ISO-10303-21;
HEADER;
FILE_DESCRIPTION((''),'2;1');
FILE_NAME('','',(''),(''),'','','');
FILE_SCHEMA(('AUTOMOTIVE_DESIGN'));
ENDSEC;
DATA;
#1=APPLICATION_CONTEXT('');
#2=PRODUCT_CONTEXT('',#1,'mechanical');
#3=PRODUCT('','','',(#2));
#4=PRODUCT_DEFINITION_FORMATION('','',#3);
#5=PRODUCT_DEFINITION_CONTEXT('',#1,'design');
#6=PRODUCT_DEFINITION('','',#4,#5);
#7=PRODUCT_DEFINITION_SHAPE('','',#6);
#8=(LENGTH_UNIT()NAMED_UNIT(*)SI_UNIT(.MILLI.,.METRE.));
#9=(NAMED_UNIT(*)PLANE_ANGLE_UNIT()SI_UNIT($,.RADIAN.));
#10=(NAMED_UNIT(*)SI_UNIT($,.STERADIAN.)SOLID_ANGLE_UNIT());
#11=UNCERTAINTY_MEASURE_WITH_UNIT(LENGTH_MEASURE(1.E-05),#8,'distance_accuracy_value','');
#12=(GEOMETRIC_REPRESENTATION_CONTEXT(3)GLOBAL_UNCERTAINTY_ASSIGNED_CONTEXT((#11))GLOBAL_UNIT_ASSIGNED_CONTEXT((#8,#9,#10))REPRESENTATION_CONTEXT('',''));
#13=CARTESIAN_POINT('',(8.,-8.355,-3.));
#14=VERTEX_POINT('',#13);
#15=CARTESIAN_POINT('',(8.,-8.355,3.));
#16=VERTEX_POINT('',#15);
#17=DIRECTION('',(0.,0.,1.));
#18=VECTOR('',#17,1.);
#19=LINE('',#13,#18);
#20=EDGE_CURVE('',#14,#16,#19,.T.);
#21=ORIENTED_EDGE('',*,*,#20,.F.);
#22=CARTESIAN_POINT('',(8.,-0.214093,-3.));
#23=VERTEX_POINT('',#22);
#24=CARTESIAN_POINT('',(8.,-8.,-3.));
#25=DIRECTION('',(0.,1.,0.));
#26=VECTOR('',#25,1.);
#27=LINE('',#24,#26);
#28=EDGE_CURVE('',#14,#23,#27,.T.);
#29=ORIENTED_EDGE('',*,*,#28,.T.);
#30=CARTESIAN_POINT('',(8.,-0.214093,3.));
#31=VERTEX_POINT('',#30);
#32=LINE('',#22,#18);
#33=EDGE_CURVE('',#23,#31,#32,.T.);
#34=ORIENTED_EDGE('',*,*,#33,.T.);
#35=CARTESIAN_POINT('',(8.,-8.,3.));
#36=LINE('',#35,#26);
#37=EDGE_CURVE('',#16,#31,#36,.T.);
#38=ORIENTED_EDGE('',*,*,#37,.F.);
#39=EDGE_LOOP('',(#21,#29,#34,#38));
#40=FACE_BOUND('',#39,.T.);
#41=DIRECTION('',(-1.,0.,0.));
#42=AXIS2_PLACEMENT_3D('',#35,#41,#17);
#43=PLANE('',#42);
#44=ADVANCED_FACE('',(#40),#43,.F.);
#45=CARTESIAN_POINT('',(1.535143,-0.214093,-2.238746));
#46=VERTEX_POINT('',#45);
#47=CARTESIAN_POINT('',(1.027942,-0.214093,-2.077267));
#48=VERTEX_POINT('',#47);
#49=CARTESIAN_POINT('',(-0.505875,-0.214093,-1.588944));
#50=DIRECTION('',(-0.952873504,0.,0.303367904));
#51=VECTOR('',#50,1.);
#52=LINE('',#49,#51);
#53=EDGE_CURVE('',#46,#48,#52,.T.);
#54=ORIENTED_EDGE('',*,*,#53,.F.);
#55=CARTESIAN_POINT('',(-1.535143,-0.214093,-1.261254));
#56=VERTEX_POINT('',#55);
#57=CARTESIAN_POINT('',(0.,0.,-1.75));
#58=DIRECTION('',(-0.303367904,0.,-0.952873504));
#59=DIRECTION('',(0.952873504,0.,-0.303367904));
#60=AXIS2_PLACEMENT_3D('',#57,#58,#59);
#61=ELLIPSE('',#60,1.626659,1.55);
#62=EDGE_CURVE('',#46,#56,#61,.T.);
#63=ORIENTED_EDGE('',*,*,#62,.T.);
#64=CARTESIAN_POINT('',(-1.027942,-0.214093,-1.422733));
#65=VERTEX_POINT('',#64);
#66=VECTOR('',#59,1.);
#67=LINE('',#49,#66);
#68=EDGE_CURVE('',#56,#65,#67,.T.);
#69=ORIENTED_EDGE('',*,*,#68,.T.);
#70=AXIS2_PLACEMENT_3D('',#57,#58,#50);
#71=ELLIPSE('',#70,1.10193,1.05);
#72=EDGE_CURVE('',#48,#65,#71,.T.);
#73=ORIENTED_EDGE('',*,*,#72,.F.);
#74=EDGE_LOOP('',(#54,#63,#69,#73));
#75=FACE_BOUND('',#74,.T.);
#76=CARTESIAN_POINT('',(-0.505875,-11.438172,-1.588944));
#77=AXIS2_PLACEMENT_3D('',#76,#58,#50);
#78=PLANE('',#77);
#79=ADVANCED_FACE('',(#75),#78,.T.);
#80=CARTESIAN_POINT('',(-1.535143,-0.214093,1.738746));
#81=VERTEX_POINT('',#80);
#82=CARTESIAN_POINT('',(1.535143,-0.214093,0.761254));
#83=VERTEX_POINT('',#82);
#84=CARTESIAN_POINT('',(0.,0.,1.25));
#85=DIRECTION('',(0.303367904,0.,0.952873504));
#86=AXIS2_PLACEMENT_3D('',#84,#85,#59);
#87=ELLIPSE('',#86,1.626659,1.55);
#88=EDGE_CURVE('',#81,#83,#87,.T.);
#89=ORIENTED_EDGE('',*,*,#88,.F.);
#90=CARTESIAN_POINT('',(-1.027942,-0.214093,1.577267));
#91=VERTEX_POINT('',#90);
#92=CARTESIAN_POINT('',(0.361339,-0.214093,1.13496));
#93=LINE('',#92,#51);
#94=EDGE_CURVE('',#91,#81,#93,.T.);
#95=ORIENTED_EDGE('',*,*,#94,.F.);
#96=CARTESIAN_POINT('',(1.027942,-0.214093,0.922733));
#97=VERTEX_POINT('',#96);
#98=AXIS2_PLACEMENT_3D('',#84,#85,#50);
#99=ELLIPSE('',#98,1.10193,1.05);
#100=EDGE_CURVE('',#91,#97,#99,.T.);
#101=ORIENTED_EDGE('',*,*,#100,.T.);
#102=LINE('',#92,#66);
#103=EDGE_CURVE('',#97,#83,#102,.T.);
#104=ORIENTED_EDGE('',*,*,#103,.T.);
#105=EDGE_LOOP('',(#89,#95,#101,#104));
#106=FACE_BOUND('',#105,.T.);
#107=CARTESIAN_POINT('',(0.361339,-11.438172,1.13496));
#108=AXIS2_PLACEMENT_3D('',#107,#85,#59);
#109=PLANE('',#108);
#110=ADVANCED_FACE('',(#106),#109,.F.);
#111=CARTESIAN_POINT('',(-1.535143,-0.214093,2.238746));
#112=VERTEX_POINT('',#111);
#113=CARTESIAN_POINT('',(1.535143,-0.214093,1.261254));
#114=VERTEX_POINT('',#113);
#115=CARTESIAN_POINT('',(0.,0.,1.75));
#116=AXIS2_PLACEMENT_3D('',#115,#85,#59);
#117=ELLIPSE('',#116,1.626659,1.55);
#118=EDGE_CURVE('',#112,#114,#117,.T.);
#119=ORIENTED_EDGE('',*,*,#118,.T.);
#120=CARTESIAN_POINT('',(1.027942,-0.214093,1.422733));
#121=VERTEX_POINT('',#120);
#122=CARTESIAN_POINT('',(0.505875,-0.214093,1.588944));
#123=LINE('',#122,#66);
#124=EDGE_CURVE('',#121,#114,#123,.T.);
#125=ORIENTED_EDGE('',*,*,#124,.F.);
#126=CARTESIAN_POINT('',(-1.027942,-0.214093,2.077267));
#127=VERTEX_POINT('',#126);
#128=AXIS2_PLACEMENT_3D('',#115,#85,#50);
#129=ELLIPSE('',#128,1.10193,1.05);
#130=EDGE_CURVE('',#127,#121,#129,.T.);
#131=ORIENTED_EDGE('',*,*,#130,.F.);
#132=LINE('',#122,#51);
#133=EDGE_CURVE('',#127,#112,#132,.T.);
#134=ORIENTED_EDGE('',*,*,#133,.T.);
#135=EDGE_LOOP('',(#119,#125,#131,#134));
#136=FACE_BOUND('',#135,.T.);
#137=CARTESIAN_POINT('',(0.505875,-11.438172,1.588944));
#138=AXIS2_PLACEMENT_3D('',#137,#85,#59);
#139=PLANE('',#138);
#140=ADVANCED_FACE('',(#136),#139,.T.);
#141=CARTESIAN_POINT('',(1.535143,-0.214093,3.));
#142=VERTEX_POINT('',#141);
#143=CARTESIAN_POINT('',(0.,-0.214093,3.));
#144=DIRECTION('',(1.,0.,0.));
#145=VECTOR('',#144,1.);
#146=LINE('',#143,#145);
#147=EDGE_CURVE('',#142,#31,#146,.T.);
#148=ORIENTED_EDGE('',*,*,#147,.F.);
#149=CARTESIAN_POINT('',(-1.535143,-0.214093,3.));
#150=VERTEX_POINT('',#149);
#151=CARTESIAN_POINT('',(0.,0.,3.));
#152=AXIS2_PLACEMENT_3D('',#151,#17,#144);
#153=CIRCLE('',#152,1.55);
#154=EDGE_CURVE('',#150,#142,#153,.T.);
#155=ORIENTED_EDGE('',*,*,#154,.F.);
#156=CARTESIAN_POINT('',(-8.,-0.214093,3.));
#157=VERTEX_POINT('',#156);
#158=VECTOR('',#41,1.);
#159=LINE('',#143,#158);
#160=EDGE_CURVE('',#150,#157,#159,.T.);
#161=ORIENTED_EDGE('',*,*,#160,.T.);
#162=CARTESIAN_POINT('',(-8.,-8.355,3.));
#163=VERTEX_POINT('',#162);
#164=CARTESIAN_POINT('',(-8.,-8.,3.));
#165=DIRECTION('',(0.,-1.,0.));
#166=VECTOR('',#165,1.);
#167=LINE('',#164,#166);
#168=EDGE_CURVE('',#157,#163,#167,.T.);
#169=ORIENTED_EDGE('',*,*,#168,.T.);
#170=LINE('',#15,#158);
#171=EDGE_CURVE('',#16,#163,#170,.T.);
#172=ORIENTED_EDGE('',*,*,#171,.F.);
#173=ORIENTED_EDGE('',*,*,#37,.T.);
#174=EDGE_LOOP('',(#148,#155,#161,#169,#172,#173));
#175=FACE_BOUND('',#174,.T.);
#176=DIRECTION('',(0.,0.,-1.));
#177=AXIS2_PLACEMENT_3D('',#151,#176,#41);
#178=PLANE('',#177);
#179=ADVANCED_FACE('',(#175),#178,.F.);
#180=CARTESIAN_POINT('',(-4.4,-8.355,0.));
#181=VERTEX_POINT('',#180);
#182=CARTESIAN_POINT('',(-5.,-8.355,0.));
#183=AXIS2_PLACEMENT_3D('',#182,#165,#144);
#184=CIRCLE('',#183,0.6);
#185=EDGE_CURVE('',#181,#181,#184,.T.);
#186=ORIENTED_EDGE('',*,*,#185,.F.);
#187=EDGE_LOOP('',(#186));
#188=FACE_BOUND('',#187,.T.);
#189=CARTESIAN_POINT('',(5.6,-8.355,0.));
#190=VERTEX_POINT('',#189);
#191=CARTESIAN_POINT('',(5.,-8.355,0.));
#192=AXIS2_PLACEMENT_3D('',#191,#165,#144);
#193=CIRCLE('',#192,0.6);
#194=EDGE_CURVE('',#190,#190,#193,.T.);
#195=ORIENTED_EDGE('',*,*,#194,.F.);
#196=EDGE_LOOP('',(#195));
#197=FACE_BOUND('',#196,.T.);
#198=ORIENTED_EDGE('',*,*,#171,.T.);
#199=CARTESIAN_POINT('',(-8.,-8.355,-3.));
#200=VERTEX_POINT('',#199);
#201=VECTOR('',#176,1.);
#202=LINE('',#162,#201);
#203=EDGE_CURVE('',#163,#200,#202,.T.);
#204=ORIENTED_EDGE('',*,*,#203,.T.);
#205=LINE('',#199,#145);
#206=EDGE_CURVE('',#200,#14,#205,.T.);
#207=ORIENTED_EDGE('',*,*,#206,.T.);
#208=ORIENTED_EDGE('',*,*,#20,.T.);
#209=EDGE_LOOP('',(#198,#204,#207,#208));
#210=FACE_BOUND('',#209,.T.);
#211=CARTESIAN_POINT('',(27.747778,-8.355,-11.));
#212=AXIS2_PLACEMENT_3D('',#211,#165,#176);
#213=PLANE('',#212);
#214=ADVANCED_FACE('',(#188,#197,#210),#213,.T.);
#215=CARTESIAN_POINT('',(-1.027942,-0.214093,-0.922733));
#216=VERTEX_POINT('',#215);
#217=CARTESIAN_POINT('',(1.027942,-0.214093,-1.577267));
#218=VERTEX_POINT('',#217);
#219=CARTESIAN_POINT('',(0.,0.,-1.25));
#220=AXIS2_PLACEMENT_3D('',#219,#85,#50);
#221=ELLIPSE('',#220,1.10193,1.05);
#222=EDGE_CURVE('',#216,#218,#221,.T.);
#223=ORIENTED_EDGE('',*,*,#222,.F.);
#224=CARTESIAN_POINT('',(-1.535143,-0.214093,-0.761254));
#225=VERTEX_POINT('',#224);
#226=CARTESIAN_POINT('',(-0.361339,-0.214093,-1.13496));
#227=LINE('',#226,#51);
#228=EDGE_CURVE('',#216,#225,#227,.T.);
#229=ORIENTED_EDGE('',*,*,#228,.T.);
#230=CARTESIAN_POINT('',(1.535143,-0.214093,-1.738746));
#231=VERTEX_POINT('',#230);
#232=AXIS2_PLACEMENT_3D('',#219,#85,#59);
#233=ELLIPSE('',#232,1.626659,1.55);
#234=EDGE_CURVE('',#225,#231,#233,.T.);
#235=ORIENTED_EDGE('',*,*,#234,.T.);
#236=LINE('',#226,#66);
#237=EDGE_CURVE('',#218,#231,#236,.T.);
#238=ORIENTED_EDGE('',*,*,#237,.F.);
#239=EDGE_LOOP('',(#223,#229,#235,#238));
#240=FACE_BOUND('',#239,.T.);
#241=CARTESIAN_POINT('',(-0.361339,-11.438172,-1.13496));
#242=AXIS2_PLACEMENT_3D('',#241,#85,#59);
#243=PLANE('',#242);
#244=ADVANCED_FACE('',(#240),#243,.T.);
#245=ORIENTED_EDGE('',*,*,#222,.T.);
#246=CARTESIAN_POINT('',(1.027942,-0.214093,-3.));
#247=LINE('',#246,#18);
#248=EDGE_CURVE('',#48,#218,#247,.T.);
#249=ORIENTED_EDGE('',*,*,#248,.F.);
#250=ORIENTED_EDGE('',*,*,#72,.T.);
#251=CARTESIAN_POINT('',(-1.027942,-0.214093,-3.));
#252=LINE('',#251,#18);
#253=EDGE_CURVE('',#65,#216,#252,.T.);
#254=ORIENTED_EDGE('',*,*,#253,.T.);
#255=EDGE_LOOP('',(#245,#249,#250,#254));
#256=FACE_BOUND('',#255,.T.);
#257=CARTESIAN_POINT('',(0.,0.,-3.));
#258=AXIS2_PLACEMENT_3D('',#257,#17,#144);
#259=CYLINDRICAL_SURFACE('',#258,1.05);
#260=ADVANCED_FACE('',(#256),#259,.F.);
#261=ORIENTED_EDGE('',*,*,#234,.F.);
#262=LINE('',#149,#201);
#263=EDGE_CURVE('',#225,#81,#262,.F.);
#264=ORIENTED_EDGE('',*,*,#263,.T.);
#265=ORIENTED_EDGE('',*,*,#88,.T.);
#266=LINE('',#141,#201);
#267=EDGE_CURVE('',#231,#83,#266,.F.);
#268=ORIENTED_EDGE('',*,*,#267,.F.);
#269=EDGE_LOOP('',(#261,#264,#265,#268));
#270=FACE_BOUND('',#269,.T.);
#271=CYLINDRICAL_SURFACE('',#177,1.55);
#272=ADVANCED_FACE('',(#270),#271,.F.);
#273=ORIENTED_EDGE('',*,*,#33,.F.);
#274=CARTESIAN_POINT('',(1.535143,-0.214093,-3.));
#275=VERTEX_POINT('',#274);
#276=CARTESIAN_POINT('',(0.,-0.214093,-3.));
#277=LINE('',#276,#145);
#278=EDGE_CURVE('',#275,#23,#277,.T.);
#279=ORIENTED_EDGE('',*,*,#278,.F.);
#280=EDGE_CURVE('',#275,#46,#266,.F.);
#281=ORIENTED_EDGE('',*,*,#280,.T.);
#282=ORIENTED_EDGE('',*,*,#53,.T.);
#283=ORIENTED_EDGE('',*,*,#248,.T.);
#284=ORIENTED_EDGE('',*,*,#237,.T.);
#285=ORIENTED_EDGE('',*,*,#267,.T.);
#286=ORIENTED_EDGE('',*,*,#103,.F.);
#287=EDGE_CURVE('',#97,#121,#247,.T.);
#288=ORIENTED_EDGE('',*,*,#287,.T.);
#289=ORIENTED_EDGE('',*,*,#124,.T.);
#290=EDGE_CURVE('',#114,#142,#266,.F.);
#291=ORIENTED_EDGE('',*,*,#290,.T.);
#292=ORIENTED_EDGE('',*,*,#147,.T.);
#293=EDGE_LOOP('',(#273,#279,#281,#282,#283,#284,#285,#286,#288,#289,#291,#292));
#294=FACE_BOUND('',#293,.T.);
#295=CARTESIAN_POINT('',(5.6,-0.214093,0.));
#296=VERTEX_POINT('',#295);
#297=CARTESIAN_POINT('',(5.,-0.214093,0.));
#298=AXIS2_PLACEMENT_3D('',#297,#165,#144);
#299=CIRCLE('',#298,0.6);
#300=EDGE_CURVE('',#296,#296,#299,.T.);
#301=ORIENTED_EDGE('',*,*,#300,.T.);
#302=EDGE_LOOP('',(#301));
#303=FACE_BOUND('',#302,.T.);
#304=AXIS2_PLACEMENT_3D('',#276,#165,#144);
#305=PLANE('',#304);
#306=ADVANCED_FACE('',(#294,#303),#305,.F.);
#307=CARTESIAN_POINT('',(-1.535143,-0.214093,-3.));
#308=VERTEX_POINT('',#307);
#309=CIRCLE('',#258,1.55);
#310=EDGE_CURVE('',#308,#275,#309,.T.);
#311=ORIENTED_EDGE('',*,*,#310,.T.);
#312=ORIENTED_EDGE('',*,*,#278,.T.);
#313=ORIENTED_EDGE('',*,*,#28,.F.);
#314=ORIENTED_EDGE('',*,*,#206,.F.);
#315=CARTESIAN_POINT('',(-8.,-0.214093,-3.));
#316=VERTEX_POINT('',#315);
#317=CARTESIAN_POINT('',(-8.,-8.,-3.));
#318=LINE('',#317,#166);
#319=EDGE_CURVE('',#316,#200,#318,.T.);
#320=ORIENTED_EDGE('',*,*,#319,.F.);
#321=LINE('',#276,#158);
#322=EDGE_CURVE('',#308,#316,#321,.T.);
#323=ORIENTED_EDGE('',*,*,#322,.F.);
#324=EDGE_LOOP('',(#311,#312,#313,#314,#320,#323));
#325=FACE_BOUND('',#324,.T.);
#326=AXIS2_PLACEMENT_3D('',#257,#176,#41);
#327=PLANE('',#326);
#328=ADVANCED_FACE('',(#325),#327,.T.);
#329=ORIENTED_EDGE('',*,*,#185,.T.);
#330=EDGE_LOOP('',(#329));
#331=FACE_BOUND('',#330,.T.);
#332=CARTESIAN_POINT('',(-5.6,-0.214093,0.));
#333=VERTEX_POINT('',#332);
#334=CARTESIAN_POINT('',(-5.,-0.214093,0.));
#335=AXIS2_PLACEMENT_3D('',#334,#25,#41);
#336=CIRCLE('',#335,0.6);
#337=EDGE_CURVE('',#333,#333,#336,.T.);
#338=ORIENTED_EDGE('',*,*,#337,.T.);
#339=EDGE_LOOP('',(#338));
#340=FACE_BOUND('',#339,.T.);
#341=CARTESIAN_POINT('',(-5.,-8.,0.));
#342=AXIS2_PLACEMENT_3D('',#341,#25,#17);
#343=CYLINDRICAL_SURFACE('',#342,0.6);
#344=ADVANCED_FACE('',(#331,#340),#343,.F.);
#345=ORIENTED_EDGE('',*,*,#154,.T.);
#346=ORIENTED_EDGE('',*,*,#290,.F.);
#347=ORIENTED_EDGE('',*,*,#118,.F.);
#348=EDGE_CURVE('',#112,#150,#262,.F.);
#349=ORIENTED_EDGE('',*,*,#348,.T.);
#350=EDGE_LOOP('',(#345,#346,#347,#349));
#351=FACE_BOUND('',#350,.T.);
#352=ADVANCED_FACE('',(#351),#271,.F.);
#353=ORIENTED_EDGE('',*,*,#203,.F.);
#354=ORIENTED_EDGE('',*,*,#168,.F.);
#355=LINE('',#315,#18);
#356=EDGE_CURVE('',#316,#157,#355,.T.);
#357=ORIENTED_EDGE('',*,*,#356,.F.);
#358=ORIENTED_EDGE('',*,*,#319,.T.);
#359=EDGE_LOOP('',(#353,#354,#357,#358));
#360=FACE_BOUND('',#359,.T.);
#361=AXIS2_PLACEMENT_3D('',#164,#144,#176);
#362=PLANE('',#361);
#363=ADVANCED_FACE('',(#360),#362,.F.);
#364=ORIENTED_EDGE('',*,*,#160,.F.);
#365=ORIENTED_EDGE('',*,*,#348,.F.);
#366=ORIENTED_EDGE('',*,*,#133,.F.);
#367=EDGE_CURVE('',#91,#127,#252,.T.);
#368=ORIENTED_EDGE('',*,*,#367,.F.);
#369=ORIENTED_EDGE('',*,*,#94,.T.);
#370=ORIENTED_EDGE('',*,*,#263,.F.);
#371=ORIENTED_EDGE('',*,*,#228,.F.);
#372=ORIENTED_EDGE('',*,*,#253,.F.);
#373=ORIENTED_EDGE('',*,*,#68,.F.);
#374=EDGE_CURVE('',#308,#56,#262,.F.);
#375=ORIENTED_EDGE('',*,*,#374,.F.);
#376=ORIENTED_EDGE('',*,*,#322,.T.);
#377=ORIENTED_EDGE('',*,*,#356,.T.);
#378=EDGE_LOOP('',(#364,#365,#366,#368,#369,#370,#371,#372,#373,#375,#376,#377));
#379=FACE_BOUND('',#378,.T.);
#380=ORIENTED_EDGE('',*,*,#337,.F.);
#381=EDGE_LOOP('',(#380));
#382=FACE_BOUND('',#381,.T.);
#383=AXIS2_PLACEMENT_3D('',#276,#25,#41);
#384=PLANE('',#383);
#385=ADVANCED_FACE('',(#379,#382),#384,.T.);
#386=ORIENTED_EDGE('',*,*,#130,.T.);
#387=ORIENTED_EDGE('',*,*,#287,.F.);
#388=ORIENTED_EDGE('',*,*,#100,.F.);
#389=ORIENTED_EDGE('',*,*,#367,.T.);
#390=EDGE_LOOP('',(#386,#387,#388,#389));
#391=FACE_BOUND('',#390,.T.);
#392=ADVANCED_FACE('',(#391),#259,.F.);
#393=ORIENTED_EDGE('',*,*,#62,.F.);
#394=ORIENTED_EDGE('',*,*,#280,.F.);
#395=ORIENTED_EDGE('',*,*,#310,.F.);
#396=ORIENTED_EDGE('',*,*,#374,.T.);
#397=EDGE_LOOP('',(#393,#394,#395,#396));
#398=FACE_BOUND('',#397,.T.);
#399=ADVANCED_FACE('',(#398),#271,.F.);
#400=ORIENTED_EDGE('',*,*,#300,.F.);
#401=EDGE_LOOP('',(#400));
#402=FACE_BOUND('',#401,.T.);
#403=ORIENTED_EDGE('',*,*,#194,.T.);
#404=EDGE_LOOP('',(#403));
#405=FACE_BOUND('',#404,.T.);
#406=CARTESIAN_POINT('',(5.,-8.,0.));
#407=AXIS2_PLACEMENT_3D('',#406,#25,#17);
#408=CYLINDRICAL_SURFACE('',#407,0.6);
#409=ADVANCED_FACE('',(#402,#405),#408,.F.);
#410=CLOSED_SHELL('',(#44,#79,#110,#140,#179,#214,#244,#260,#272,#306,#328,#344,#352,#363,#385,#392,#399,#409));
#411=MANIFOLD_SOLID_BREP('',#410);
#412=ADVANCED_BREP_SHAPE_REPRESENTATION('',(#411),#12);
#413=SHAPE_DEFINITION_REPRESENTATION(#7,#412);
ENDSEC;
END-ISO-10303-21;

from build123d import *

# Parameters (mm, degrees)
SKETCH_1_W               = 16
SKETCH_1_H               = 16
SKETCH_1_R               = 1.55
EXTRUDE_1_DEPTH          = 3
EXTRUDE_2_DEPTH          = 8
CUT_EXTRUDE_2_DEPTH      = 12.704699911
CUT_EXTRUDE_2_DEPTH_BACK = 12.704699911
SKETCH_8_R               = 0.6
CUT_EXTRUDE_3_DEPTH      = 12.704699911
SKETCH_9_W               = 16
SKETCH_9_H               = 6
SKETCH_9_R               = 0.6
EXTRUDE_3_DEPTH          = 0.355


with BuildPart() as part:
    # 草图1 → 凸台-拉伸1 (new, symmetric)
    with BuildSketch(Plane.XY):
        Rectangle(SKETCH_1_W, SKETCH_1_H)
        Circle(SKETCH_1_R, mode=Mode.SUBTRACT)
    extrude(amount=EXTRUDE_1_DEPTH, both=True)

    # 草图6 → 凸台-拉伸2 (add)
    with BuildSketch(Plane(origin=(0, 0, 0), x_dir=(1, 0, 0), z_dir=(0, 1, 0))):
        Polygon((-1.55, -1.743476048), (-1.55, -2.243476048), (1.55, -1.256523952), (1.55, -0.756523952), align=None)
        Polygon((-1.55, 1.256523952), (-1.55, 0.756523952), (1.55, 1.743476048), (1.55, 2.243476048), align=None)
    extrude(amount=-EXTRUDE_2_DEPTH)

    # 草图7 → 切除-拉伸2 (cut, two sides: drawn at the far end of the back side and taken through both)
    with BuildSketch(Plane.XY.offset(-CUT_EXTRUDE_2_DEPTH_BACK)):
        with BuildLine():
            Line((-8, -0.214092961), (-1.027941732, -0.214092961))
            ThreePointArc((-1.027941732, -0.214092961), (-0.107613153, 1.044470875), (1.05, 0))
            ThreePointArc((1.05, 0), (1.044470875, -0.107613153), (1.027941732, -0.214092961))
            Line((1.027941732, -0.214092961), (8, -0.214092961))
            Line((8, -0.214092961), (8, 8))
            Line((8, 8), (-8, 8))
            Line((-8, 8), (-8, -0.214092961))
        make_face()
        with BuildLine():
            Line((1.027941732, -0.214092961), (0, 0))
            Line((0, 0), (-1.027941732, -0.214092961))
            ThreePointArc((-1.027941732, -0.214092961), (0, -1.05), (1.027941732, -0.214092961))
        make_face()
        with BuildLine():
            Line((-1.027941732, -0.214092961), (0, 0))
            Line((0, 0), (1.027941732, -0.214092961))
            ThreePointArc((1.027941732, -0.214092961), (1.044470875, -0.107613153), (1.05, 0))
            ThreePointArc((1.05, 0), (-0.107613153, 1.044470875), (-1.027941732, -0.214092961))
        make_face()
    extrude(amount=CUT_EXTRUDE_2_DEPTH + CUT_EXTRUDE_2_DEPTH_BACK, mode=Mode.SUBTRACT)

    # 草图8 → 切除-拉伸3 (cut, through all)
    with BuildSketch(Plane(origin=(0, 0, 0), x_dir=(1, 0, 0), z_dir=(0, 1, 0))):
        with Locations(Location((-5, 0, 0), (0, 0, 270))):
            Circle(SKETCH_8_R)
        with Locations(Location((5, 0, 0), (0, 0, 270))):
            Circle(SKETCH_8_R)
    extrude(amount=-CUT_EXTRUDE_3_DEPTH, mode=Mode.SUBTRACT)

    # 草图9 → 凸台-拉伸3 (add)
    with BuildSketch(Plane.XZ.offset(8)):
        Rectangle(SKETCH_9_W, SKETCH_9_H)
        with Locations(Location((-5, 0, 0), (0, 0, 180))):
            Circle(SKETCH_9_R, mode=Mode.SUBTRACT)
        with Locations((5, 0)):
            Circle(SKETCH_9_R, mode=Mode.SUBTRACT)
    extrude(amount=EXTRUDE_3_DEPTH)


solid = part.part
